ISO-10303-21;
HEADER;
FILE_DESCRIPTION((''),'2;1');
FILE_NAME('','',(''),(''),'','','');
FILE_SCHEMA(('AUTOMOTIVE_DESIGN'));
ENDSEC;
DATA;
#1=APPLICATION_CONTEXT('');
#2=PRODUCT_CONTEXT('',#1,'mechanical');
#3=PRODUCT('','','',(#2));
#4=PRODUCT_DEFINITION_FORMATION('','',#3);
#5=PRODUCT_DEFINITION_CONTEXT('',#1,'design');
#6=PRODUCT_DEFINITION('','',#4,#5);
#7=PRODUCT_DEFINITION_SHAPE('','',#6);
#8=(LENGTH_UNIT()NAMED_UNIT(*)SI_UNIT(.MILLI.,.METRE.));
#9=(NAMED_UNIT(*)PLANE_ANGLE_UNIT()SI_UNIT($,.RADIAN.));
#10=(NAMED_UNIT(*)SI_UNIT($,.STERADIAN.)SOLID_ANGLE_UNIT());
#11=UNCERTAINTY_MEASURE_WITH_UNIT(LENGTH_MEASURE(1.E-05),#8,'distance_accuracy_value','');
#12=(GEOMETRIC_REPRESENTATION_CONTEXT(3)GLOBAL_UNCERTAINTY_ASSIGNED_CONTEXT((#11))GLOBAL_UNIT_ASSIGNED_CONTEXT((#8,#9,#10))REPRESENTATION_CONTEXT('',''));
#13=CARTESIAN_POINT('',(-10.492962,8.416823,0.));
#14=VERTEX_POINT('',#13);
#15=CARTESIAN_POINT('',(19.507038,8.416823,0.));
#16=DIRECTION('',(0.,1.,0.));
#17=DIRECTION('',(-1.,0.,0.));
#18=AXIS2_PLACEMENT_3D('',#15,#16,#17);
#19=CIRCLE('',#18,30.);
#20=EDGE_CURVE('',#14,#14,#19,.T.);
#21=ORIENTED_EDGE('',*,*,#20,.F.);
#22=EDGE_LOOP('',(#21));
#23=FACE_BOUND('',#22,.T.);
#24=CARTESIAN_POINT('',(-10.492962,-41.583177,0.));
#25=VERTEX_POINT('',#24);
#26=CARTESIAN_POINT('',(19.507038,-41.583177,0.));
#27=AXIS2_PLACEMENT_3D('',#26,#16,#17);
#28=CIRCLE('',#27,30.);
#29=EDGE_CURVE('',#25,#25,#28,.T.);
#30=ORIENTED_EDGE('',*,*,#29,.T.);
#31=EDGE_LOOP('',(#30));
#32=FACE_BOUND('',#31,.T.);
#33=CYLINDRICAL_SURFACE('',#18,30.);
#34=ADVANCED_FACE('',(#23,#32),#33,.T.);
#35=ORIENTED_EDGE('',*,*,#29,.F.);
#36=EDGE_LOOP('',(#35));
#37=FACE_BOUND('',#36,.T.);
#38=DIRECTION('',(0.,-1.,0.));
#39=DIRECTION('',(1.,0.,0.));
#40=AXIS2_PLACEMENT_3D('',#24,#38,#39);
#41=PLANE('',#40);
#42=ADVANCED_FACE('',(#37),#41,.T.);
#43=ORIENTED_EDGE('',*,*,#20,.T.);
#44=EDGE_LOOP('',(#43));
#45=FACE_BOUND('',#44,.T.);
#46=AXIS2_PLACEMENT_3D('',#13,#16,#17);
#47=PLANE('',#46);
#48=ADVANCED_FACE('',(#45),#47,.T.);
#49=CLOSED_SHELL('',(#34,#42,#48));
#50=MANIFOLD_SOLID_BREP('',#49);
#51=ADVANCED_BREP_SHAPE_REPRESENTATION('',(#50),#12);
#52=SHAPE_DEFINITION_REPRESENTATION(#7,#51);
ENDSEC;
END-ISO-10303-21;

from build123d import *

# Parameters (mm, degrees)
SKETCH1_W = 30
SKETCH1_H = 50


with BuildPart() as part:
    # Sketch1 → Revolve1 (revolve)
    with BuildSketch(Plane.XY):
        with Locations((4.507038004, -16.583177393)):
            Rectangle(SKETCH1_W, SKETCH1_H)
    revolve(axis=Axis((19.507038004, 8.416822607, 0), (0, -1, 0)))


solid = part.part
